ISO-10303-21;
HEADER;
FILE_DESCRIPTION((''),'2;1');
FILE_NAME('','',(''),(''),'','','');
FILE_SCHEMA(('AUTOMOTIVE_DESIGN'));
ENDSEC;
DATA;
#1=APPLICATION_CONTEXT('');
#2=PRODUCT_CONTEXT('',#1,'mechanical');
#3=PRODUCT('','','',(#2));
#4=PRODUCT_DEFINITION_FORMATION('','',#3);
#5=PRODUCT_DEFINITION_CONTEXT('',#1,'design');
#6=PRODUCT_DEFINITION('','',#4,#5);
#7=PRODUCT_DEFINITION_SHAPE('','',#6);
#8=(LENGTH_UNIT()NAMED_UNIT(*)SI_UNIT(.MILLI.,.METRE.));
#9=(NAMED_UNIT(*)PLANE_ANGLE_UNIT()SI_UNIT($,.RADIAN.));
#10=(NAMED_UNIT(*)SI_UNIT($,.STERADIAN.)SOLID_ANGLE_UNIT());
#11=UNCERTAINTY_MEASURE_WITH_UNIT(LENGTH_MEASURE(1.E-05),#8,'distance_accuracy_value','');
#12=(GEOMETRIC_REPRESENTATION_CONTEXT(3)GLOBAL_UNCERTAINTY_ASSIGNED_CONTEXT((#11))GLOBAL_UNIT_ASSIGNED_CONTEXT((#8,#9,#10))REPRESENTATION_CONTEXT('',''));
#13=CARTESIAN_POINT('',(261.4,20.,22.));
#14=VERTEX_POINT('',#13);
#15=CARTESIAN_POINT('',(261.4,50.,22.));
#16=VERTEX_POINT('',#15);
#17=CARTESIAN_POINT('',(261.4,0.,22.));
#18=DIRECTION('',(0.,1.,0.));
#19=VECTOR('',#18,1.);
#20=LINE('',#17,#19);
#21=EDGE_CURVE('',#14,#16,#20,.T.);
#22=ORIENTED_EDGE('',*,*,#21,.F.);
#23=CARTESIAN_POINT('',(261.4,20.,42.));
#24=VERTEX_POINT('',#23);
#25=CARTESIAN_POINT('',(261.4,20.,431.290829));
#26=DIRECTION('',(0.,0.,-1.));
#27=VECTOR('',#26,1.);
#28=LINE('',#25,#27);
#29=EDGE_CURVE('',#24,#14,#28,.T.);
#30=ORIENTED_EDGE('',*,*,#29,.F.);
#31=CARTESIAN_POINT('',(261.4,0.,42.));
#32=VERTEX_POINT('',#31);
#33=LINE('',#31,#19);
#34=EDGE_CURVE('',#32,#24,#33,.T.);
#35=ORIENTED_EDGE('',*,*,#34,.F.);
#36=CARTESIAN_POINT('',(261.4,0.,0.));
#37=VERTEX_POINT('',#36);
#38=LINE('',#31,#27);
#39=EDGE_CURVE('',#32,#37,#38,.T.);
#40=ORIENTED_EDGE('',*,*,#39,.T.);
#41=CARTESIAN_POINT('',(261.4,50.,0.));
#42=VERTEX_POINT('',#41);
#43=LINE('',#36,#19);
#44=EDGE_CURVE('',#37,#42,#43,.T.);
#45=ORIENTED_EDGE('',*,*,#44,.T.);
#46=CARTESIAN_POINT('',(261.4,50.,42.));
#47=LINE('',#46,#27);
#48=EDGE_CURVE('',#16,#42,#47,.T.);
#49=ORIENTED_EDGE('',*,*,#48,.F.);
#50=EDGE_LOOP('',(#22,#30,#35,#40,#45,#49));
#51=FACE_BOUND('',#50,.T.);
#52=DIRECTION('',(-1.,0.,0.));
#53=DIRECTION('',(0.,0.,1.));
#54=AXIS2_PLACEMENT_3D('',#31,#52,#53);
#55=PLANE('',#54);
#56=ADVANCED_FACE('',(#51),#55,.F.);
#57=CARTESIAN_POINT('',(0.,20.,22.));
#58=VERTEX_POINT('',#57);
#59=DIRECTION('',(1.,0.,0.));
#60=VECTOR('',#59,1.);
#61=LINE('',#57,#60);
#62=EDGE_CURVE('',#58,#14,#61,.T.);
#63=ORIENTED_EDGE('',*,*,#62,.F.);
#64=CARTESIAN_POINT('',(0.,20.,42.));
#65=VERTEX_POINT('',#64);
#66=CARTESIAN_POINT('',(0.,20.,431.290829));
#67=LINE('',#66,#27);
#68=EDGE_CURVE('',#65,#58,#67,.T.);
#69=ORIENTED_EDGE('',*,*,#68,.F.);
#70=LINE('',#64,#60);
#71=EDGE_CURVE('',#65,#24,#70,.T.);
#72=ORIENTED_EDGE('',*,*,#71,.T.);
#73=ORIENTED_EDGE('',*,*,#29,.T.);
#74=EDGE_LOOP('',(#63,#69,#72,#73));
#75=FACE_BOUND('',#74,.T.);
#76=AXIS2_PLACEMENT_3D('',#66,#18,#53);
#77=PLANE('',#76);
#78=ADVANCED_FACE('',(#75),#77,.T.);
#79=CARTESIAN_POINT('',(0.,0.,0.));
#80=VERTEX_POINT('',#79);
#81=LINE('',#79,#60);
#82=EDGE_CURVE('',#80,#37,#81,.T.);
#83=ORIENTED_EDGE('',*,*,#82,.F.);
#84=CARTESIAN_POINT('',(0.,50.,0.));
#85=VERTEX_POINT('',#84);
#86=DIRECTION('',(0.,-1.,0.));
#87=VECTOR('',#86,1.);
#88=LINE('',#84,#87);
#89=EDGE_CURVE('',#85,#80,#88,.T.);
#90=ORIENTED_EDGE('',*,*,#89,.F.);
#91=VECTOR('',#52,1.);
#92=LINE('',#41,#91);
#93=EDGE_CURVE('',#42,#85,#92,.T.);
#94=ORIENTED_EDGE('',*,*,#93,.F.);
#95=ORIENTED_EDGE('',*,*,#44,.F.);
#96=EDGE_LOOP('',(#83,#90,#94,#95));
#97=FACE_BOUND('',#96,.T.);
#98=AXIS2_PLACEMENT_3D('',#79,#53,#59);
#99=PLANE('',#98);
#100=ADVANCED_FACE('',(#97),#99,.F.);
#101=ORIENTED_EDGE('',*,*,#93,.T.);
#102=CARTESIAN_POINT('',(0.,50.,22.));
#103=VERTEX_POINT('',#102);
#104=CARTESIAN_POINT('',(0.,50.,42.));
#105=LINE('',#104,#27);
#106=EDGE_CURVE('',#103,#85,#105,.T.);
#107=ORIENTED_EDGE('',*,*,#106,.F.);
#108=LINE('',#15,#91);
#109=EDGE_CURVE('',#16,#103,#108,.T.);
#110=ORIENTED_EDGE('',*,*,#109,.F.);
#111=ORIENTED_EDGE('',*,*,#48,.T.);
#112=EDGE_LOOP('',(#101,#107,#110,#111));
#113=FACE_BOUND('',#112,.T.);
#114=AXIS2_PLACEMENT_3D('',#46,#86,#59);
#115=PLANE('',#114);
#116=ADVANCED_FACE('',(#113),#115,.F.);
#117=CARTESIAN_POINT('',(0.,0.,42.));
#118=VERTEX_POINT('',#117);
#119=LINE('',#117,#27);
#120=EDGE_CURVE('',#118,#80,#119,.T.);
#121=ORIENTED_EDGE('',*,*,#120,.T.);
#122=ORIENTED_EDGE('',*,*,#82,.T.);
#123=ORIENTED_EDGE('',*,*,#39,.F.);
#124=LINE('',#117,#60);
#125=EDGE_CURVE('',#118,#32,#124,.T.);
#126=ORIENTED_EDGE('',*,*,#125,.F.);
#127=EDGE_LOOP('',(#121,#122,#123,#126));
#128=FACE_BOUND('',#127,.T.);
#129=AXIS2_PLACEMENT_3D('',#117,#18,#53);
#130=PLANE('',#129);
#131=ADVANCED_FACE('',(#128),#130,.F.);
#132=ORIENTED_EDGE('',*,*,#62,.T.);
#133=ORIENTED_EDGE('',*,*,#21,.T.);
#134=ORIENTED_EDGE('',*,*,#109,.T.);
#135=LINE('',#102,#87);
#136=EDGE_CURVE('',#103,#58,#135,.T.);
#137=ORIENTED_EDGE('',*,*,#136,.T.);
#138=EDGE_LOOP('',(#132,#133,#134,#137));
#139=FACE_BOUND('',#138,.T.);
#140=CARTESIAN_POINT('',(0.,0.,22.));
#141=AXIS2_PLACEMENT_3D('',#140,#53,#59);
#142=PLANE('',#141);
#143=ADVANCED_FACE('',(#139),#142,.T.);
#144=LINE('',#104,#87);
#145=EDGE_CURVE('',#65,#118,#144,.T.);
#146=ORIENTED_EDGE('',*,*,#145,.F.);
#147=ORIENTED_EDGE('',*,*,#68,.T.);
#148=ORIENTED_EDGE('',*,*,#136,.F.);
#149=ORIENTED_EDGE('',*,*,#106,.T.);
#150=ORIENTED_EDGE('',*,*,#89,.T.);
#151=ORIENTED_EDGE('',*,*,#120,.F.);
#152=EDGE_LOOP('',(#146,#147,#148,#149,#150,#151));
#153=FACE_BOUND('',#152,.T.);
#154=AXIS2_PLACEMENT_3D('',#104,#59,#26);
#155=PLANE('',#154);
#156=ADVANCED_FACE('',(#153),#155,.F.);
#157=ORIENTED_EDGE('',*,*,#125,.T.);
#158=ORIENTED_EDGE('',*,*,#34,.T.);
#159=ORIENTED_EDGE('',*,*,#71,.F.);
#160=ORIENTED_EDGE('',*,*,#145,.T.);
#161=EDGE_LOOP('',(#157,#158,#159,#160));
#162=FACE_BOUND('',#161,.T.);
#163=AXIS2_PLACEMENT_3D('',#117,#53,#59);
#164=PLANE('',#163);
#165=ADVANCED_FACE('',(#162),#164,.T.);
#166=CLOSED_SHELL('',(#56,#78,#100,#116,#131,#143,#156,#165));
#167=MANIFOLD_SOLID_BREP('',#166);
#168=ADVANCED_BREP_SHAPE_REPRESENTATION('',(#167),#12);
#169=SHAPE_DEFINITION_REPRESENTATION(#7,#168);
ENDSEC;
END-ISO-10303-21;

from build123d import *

# Parameters (mm, degrees)
ESQUISSE2_W                  = 261.4
ESQUISSE2_H                  = 50
BOSS_EXTRU_1_DEPTH           = 42
ENL_V_MAT_EXTRU_1_DEPTH      = 270.432663202
ENL_V_MAT_EXTRU_1_DEPTH_BACK = 20


with BuildPart() as part:
    # Esquisse2 → Boss.-Extru.1 (new body)
    with BuildSketch(Plane.XY):
        with Locations((130.7, 25)):
            Rectangle(ESQUISSE2_W, ESQUISSE2_H)
    extrude(amount=BOSS_EXTRU_1_DEPTH)

    # Esquisse3 → Enlèv. mat.-Extru.1 (cut, two sides: drawn at the far end of the back side and taken through both)
    with BuildSketch(Plane.XY.offset(42).offset(-ENL_V_MAT_EXTRU_1_DEPTH_BACK)):
        Polygon((-536.231736025, 20), (0, 20), (261.4, 20), (797.631736025, 20), (797.631736025, 1092.46347205), (-536.231736025, 1092.46347205), align=None)
    extrude(amount=ENL_V_MAT_EXTRU_1_DEPTH + ENL_V_MAT_EXTRU_1_DEPTH_BACK, mode=Mode.SUBTRACT)


solid = part.part
